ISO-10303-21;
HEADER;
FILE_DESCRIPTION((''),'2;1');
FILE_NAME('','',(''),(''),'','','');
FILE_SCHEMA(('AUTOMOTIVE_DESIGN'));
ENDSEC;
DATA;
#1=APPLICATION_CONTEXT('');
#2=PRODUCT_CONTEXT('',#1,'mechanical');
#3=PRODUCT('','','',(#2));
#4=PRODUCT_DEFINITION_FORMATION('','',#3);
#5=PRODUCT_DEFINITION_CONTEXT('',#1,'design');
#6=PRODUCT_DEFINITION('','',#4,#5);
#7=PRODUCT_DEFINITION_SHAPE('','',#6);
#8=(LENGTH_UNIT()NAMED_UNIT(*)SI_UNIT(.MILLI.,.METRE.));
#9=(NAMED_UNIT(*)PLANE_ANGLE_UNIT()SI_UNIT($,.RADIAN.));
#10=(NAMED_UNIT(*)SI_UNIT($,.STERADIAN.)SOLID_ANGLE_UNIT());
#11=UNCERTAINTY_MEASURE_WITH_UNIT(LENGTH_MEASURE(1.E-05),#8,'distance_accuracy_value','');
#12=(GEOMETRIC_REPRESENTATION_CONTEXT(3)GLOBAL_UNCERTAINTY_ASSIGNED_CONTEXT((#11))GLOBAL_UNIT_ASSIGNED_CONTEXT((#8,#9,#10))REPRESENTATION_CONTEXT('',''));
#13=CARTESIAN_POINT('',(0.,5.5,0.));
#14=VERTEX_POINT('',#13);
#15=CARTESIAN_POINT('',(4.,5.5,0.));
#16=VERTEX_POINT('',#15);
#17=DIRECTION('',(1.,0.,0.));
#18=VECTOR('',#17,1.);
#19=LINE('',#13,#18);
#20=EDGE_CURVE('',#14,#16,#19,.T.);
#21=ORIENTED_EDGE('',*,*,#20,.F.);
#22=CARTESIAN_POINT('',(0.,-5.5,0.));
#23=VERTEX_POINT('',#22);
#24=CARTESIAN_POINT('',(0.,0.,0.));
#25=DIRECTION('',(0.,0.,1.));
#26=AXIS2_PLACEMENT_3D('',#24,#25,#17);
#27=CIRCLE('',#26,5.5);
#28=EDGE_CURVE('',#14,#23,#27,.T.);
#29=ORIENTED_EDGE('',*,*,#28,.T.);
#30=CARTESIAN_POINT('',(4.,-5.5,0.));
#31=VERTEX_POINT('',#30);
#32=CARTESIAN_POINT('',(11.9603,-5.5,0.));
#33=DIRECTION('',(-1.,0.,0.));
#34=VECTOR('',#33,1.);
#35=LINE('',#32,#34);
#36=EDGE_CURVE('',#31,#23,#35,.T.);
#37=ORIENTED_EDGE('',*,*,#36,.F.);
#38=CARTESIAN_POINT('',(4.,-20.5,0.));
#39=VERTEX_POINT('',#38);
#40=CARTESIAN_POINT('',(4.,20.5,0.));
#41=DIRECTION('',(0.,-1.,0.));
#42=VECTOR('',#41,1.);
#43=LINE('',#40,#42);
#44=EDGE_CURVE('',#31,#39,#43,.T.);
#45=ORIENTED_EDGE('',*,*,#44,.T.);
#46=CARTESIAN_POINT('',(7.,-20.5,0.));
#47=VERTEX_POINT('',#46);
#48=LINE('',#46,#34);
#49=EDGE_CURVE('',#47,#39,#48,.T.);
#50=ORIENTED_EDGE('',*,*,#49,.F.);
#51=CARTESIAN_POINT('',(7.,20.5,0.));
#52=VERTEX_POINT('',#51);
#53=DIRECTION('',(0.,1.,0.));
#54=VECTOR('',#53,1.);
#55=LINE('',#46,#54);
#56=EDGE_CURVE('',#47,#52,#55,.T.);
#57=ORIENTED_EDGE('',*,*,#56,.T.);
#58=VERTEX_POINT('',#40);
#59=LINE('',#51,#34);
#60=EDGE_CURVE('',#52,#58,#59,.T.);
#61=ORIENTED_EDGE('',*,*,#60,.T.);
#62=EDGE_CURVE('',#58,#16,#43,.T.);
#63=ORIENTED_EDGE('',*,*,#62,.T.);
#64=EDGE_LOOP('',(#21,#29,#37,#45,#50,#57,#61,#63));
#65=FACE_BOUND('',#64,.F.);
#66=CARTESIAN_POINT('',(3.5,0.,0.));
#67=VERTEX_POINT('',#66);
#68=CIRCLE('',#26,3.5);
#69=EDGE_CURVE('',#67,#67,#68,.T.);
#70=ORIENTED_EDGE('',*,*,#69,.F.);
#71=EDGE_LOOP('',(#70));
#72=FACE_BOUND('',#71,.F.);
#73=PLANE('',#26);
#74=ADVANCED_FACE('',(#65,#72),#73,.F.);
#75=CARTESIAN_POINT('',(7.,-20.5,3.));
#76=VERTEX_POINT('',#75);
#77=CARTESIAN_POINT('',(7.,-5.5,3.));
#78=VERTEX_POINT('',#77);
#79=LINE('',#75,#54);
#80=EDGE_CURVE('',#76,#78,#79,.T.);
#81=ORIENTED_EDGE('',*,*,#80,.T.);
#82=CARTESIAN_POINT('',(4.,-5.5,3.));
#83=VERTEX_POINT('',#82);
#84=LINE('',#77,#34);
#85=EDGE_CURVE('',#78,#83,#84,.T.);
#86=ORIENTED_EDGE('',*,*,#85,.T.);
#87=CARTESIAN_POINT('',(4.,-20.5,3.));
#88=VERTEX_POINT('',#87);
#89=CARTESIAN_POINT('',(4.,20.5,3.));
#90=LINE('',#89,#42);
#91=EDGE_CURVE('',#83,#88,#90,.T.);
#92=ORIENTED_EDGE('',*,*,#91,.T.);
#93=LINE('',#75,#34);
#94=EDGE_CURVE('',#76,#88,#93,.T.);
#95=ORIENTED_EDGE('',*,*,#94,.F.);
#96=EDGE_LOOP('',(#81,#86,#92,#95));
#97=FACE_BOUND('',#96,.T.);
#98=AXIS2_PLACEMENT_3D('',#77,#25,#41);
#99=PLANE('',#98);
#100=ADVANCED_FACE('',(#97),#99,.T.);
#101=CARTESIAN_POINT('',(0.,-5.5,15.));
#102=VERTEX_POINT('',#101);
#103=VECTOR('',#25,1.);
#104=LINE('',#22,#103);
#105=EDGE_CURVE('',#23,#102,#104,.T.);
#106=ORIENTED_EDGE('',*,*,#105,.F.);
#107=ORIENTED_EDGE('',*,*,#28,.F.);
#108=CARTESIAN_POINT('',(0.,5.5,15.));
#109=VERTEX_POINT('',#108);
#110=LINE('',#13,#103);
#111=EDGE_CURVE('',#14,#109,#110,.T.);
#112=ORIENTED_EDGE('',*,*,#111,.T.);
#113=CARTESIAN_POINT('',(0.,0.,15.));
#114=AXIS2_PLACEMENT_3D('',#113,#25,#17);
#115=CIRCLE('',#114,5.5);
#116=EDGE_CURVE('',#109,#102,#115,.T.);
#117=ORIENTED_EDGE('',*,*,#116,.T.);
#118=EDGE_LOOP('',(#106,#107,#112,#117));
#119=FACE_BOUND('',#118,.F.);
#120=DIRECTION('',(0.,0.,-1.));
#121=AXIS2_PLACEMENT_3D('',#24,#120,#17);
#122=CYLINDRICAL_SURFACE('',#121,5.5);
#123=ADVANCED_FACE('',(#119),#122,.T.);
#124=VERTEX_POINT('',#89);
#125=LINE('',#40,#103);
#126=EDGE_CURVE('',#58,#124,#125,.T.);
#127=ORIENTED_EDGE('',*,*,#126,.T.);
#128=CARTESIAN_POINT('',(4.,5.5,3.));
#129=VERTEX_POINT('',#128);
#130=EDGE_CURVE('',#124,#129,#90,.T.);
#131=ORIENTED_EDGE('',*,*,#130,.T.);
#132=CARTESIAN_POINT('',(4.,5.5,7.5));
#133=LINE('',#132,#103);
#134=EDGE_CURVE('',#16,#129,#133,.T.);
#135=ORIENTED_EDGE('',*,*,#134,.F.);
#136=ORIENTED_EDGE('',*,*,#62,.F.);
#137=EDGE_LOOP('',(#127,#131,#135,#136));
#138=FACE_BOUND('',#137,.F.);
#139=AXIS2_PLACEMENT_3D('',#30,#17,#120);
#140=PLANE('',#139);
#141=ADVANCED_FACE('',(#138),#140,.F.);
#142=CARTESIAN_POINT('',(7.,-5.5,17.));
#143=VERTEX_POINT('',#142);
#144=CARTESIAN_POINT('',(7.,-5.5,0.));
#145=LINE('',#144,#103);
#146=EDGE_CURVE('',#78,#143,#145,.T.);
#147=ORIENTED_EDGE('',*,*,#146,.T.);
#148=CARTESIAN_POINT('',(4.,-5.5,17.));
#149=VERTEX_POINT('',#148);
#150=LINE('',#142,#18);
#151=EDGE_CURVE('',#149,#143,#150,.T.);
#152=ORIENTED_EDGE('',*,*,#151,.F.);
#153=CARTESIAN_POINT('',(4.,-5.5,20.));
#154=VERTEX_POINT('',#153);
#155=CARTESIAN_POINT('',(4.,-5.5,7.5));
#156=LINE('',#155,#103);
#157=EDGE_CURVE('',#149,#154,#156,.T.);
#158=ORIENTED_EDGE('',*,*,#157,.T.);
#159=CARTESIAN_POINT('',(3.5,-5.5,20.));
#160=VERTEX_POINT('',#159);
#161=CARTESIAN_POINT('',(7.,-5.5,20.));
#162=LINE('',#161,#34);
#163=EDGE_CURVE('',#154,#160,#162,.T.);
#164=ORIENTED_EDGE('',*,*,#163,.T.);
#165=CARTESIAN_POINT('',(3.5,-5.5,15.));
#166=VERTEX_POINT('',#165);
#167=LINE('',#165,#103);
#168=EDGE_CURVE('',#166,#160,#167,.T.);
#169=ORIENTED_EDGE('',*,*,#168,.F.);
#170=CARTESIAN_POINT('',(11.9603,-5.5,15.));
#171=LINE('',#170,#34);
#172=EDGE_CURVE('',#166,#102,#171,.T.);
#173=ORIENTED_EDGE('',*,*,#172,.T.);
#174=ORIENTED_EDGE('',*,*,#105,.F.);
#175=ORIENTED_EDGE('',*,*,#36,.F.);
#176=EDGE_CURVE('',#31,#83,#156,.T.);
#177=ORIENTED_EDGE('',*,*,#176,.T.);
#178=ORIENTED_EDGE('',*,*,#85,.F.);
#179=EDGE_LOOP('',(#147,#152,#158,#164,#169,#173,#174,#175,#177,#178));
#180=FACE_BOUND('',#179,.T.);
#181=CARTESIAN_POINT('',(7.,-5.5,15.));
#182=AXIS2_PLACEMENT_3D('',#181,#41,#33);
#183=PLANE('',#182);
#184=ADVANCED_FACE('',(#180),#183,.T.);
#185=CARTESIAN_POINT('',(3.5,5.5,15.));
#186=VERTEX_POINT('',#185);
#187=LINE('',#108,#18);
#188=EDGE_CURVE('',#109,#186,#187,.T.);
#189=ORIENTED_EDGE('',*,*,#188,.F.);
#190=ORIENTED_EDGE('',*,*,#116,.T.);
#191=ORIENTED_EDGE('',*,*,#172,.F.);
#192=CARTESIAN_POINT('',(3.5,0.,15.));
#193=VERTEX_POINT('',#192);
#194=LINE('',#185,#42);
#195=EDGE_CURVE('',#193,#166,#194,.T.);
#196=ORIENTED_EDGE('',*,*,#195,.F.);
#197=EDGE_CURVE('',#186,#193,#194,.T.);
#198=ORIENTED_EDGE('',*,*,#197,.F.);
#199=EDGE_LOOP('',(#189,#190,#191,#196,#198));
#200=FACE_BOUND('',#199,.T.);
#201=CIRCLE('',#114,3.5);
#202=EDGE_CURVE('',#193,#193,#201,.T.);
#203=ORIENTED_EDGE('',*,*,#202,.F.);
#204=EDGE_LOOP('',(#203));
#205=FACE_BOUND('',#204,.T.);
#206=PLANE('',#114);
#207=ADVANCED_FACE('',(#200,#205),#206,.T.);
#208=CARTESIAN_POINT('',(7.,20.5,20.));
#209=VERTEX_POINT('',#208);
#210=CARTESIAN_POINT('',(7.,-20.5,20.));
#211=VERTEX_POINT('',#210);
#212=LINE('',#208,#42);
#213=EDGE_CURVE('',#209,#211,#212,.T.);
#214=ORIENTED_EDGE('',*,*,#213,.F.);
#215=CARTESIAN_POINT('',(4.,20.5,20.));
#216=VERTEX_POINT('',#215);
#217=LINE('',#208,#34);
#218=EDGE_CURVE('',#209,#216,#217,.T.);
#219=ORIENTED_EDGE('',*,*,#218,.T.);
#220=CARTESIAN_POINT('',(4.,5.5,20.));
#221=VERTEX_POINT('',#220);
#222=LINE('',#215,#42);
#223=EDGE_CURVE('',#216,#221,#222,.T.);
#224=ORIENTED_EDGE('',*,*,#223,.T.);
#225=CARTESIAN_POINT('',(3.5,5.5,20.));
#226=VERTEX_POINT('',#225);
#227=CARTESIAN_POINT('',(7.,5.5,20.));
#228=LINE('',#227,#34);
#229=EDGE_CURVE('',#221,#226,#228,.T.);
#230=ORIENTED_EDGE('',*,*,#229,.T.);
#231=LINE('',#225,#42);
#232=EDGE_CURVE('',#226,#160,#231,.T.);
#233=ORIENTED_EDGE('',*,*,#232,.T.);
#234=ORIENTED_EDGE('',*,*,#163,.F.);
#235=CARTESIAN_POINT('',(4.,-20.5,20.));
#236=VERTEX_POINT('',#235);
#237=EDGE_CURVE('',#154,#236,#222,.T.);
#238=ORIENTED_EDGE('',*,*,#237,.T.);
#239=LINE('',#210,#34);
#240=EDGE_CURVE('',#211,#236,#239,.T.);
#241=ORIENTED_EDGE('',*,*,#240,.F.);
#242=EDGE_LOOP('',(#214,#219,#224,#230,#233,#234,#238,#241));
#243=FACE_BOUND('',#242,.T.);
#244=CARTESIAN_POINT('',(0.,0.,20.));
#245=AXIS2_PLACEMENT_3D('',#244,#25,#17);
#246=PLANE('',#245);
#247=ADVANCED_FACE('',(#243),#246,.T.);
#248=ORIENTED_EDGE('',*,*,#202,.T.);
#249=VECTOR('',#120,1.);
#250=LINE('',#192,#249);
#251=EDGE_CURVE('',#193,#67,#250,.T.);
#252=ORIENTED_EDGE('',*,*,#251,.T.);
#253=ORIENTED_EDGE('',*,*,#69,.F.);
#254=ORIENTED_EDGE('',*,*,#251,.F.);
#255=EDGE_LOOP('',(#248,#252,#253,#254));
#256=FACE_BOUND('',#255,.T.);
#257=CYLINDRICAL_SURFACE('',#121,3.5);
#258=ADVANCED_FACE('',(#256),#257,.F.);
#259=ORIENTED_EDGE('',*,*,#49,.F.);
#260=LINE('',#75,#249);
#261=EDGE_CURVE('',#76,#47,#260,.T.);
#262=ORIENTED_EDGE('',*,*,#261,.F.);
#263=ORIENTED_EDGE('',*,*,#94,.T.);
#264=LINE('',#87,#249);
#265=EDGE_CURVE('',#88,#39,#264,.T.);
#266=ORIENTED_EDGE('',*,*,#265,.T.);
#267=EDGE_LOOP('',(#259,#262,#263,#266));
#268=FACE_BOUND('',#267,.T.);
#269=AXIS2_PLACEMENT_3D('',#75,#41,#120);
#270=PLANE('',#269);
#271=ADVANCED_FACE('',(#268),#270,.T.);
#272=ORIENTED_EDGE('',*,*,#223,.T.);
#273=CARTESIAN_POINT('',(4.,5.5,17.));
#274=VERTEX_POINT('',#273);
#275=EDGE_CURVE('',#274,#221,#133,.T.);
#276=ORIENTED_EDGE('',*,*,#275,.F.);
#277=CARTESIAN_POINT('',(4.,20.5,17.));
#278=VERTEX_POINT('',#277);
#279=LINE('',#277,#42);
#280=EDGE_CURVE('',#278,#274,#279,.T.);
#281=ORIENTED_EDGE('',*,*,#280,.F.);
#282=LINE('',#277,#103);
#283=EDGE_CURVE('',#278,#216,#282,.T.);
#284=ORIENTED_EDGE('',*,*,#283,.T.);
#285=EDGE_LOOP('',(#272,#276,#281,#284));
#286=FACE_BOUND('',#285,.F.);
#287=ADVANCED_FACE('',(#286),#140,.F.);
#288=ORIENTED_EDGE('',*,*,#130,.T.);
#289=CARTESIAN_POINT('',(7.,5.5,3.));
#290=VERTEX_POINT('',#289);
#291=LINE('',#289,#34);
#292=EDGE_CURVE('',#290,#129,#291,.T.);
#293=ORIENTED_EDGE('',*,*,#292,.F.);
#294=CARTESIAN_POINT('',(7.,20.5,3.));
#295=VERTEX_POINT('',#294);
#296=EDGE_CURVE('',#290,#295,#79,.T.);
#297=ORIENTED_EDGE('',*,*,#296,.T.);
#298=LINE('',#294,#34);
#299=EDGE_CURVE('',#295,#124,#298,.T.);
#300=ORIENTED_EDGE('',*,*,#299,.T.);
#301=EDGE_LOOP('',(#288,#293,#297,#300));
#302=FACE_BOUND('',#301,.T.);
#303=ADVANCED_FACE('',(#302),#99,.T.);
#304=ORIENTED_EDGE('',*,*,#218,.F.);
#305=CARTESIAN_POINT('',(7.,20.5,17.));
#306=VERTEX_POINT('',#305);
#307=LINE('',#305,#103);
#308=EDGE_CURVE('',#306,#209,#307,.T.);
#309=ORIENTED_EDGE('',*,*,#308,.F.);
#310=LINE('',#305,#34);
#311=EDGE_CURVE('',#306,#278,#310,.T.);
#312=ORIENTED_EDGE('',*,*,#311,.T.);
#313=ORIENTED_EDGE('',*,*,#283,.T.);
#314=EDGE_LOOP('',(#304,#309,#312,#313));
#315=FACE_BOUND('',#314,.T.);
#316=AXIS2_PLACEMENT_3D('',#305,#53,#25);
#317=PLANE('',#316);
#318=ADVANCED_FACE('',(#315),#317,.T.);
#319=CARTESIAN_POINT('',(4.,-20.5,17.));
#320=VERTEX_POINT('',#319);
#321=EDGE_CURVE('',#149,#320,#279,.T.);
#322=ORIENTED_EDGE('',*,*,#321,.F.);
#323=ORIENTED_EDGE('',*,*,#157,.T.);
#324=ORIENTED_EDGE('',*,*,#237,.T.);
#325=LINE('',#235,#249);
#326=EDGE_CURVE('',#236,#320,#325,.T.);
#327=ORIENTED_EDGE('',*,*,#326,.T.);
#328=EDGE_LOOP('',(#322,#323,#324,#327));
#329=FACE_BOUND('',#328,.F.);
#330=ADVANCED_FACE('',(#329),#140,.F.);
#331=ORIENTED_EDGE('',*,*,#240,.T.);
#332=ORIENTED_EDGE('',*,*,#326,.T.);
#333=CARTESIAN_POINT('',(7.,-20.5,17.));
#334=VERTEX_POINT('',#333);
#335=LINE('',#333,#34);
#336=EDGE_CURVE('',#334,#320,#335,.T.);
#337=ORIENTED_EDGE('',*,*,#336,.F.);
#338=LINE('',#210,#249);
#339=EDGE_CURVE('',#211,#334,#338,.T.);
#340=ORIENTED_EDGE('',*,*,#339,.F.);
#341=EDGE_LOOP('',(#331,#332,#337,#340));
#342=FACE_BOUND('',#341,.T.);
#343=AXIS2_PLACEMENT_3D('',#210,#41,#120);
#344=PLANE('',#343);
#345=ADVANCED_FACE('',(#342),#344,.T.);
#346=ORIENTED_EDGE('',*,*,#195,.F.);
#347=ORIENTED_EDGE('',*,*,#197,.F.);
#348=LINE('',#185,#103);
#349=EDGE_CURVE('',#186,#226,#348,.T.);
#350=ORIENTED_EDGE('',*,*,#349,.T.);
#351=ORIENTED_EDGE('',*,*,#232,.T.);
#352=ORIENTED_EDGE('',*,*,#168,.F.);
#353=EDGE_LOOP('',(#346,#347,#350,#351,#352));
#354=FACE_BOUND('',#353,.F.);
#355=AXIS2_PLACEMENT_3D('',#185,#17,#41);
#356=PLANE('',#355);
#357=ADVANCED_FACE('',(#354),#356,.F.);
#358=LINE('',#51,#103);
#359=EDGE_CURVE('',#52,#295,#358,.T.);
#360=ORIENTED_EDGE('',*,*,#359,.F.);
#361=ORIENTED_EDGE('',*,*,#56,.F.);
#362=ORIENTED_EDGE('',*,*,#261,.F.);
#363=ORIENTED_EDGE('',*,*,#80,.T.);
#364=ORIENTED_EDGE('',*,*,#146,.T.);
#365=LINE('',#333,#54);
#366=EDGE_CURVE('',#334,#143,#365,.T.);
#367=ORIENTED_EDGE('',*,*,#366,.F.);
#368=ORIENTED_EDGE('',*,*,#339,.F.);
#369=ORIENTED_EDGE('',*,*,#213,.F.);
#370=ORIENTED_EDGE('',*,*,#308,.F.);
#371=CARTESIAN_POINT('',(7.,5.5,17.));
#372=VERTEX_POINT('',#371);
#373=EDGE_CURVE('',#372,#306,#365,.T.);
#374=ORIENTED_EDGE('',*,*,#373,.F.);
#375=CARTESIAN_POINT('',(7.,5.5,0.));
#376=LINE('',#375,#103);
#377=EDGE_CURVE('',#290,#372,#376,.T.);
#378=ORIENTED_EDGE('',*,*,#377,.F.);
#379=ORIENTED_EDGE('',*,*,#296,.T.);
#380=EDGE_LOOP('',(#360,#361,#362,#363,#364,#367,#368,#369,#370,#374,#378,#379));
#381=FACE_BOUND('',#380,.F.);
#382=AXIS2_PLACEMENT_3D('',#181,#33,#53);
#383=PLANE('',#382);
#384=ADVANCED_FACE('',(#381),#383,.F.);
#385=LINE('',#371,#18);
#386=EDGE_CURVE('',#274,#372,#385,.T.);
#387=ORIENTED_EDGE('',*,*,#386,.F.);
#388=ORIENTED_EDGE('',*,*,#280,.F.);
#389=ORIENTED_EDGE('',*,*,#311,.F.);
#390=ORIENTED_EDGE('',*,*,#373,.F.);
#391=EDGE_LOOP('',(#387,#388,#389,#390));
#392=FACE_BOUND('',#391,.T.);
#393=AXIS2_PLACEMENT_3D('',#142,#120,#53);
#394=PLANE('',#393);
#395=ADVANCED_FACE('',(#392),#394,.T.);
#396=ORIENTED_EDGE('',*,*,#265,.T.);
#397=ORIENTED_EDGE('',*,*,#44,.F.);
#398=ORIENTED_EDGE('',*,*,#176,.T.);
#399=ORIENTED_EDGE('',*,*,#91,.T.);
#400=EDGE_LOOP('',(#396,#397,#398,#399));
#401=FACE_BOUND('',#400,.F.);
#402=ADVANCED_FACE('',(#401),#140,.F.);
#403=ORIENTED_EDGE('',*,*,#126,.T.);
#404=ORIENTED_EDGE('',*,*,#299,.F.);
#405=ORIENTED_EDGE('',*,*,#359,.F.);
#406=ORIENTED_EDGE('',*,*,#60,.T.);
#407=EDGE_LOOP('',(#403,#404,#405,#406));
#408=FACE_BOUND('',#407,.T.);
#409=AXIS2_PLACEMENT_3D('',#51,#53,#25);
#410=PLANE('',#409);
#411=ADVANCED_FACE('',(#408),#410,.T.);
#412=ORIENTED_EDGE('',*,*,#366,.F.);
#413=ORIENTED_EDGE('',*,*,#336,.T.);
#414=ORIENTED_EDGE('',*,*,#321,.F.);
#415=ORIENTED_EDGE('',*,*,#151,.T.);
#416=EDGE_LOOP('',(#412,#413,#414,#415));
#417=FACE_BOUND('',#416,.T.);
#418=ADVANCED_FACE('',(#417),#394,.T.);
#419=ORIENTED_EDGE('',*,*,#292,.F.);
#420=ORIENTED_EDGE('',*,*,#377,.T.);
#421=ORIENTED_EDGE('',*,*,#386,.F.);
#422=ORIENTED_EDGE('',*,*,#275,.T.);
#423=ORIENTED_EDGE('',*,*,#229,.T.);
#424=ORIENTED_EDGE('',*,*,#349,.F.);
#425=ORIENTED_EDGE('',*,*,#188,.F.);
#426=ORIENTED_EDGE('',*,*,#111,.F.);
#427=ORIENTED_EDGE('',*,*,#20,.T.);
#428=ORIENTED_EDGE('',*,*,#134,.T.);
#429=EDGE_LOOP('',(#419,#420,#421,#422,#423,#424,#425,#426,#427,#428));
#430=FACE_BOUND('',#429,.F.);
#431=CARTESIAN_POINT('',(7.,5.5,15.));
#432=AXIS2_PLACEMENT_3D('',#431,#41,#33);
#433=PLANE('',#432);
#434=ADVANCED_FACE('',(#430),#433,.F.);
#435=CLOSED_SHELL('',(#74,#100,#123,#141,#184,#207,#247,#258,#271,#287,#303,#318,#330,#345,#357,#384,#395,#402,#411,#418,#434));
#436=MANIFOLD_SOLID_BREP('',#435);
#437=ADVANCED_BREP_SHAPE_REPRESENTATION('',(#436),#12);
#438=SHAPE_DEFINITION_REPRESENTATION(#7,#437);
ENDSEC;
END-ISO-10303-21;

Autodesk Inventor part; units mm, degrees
ref_plane "YZ Plane" through (0, 0, 0) normal (1, 0, 0) x (0, 1, 0)
ref_plane "XZ Plane" through (0, 0, 0) normal (0, 1, 0) x (-1, 0, 0)
ref_plane "XY Plane" through (0, 0, 0) normal (0, 0, 1) x (1, 0, 0)
sketch "Sketch1" plane through (0, 0, 0) normal (0, 0, 1) x (1, 0, 0)
  circle A0 centre (0, 0) radius 5.5
  line L0 (0, 5.5) -> (11.9603, 5.5)
  line L1 (11.9603, 5.5) -> (11.9603, -5.5)
  line L2 (11.9603, -5.5) -> (0, -5.5)
  line L3 (0, -5.5) -> (0, 5.5)
  circle A1 centre (0, 0) radius 3.5
  dimension "d1" = 11
  dimension "d0" = 7
  dimension "d2" = 11
extrude "Extrusion1" add sketch "Sketch1" along normal blind 15 contours A0 L3 A1 | A0 L0 L1 L2 | L3 A1 A0 | A1 L3 picked at (0.9121, 0.7274)
sketch "Sketch2" plane through (0, 0, 15) normal (0, 0, 1) x (1, 0, 0)
  circle A0 centre (0, 0) radius 3.5
extrude "Extrusion2" cut sketch "Sketch2" against normal blind 15
sketch "Sketch3" plane through (0, 0, 15) normal (0, 0, 1) x (1, 0, 0)
  line L0 (11.9603, -5.5) -> (0, -5.5) projected
  line L1 (7, 5.5) -> (11.9603, 5.5)
  line L2 (11.9603, 5.5) -> (11.9603, -5.5)
  line L3 (11.9603, -5.5) -> (7, -5.5)
  line L4 (7, -5.5) -> (7, 5.5)
  line L5 (11.9603, -5.5) -> (11.9603, 5.5) projected
  line L6 (11.9603, 5.5) -> (0, 5.5) projected
  point P0 (0, 0)
  dimension "d7" = 7
  dimension "d8" = 0
  dimension "d9" = 0
extrude "Extrusion3" cut sketch "Sketch3" against normal blind 15
sketch "Sketch4" plane through (7, -5.5, 15) normal (1, 0, 0) x (0, 0, -1)
  point P0 (15, 5.5)
sketch "Sketch5" plane through (0, 0, 15) normal (0, 0, 1) x (1, 0, 0)
  point P0 (0, 0)
sketch "Sketch6" plane through (0, 0, 15) normal (0, 0, 1) x (1, 0, 0)
  line L0 (7, -5.5) -> (0, -5.5) projected
  line L1 (7, 5.5) -> (3.5, 5.5)
  line L2 (3.5, 5.5) -> (3.5, -5.5)
  line L3 (3.5, -5.5) -> (7, -5.5)
  line L4 (7, -5.5) -> (7, 5.5)
  point P0 (0, 0)
extrude "Extrusion4" add sketch "Sketch6" along normal blind 5
sketch "Sketch7" plane through (7, -5.5, 0) normal (1, 0, 0) x (0, 0, -1)
  line L0 (-3, -15) -> (0, -15)
  line L1 (0, -15) -> (0, 26)
  line L2 (0, 26) -> (-3, 26)
  line L3 (-3, 26) -> (-3, -15)
  line L4 (-20, -15) -> (-17, -15)
  line L5 (-17, -15) -> (-17, 26)
  line L6 (-17, 26) -> (-20, 26)
  line L7 (-20, 26) -> (-20, -15)
  line L8 (-20, 0) -> (-20, 11) projected
  line L9 (0, 0) -> (-20, 0) projected
  line L10 (-20, 11) -> (0, 11) projected
  point P0 (0, 5.5)
  dimension "d14" = 3
  dimension "d15" = 20
  dimension "d16" = 3
  dimension "d17" = 0
  dimension "d18" = 15
  dimension "d19" = 15
  dimension "d20" = 41
extrude "Extrusion5" add sketch "Sketch7" against normal blind 3 contours L3 L9 L1 L0 | L3 L10 L1 L9 | L3 L2 L1 L10 | L9 L7 L10 L5 | L5 L4 L7 L9 | L10 L7 L6 L5
properties part number "Slider"
